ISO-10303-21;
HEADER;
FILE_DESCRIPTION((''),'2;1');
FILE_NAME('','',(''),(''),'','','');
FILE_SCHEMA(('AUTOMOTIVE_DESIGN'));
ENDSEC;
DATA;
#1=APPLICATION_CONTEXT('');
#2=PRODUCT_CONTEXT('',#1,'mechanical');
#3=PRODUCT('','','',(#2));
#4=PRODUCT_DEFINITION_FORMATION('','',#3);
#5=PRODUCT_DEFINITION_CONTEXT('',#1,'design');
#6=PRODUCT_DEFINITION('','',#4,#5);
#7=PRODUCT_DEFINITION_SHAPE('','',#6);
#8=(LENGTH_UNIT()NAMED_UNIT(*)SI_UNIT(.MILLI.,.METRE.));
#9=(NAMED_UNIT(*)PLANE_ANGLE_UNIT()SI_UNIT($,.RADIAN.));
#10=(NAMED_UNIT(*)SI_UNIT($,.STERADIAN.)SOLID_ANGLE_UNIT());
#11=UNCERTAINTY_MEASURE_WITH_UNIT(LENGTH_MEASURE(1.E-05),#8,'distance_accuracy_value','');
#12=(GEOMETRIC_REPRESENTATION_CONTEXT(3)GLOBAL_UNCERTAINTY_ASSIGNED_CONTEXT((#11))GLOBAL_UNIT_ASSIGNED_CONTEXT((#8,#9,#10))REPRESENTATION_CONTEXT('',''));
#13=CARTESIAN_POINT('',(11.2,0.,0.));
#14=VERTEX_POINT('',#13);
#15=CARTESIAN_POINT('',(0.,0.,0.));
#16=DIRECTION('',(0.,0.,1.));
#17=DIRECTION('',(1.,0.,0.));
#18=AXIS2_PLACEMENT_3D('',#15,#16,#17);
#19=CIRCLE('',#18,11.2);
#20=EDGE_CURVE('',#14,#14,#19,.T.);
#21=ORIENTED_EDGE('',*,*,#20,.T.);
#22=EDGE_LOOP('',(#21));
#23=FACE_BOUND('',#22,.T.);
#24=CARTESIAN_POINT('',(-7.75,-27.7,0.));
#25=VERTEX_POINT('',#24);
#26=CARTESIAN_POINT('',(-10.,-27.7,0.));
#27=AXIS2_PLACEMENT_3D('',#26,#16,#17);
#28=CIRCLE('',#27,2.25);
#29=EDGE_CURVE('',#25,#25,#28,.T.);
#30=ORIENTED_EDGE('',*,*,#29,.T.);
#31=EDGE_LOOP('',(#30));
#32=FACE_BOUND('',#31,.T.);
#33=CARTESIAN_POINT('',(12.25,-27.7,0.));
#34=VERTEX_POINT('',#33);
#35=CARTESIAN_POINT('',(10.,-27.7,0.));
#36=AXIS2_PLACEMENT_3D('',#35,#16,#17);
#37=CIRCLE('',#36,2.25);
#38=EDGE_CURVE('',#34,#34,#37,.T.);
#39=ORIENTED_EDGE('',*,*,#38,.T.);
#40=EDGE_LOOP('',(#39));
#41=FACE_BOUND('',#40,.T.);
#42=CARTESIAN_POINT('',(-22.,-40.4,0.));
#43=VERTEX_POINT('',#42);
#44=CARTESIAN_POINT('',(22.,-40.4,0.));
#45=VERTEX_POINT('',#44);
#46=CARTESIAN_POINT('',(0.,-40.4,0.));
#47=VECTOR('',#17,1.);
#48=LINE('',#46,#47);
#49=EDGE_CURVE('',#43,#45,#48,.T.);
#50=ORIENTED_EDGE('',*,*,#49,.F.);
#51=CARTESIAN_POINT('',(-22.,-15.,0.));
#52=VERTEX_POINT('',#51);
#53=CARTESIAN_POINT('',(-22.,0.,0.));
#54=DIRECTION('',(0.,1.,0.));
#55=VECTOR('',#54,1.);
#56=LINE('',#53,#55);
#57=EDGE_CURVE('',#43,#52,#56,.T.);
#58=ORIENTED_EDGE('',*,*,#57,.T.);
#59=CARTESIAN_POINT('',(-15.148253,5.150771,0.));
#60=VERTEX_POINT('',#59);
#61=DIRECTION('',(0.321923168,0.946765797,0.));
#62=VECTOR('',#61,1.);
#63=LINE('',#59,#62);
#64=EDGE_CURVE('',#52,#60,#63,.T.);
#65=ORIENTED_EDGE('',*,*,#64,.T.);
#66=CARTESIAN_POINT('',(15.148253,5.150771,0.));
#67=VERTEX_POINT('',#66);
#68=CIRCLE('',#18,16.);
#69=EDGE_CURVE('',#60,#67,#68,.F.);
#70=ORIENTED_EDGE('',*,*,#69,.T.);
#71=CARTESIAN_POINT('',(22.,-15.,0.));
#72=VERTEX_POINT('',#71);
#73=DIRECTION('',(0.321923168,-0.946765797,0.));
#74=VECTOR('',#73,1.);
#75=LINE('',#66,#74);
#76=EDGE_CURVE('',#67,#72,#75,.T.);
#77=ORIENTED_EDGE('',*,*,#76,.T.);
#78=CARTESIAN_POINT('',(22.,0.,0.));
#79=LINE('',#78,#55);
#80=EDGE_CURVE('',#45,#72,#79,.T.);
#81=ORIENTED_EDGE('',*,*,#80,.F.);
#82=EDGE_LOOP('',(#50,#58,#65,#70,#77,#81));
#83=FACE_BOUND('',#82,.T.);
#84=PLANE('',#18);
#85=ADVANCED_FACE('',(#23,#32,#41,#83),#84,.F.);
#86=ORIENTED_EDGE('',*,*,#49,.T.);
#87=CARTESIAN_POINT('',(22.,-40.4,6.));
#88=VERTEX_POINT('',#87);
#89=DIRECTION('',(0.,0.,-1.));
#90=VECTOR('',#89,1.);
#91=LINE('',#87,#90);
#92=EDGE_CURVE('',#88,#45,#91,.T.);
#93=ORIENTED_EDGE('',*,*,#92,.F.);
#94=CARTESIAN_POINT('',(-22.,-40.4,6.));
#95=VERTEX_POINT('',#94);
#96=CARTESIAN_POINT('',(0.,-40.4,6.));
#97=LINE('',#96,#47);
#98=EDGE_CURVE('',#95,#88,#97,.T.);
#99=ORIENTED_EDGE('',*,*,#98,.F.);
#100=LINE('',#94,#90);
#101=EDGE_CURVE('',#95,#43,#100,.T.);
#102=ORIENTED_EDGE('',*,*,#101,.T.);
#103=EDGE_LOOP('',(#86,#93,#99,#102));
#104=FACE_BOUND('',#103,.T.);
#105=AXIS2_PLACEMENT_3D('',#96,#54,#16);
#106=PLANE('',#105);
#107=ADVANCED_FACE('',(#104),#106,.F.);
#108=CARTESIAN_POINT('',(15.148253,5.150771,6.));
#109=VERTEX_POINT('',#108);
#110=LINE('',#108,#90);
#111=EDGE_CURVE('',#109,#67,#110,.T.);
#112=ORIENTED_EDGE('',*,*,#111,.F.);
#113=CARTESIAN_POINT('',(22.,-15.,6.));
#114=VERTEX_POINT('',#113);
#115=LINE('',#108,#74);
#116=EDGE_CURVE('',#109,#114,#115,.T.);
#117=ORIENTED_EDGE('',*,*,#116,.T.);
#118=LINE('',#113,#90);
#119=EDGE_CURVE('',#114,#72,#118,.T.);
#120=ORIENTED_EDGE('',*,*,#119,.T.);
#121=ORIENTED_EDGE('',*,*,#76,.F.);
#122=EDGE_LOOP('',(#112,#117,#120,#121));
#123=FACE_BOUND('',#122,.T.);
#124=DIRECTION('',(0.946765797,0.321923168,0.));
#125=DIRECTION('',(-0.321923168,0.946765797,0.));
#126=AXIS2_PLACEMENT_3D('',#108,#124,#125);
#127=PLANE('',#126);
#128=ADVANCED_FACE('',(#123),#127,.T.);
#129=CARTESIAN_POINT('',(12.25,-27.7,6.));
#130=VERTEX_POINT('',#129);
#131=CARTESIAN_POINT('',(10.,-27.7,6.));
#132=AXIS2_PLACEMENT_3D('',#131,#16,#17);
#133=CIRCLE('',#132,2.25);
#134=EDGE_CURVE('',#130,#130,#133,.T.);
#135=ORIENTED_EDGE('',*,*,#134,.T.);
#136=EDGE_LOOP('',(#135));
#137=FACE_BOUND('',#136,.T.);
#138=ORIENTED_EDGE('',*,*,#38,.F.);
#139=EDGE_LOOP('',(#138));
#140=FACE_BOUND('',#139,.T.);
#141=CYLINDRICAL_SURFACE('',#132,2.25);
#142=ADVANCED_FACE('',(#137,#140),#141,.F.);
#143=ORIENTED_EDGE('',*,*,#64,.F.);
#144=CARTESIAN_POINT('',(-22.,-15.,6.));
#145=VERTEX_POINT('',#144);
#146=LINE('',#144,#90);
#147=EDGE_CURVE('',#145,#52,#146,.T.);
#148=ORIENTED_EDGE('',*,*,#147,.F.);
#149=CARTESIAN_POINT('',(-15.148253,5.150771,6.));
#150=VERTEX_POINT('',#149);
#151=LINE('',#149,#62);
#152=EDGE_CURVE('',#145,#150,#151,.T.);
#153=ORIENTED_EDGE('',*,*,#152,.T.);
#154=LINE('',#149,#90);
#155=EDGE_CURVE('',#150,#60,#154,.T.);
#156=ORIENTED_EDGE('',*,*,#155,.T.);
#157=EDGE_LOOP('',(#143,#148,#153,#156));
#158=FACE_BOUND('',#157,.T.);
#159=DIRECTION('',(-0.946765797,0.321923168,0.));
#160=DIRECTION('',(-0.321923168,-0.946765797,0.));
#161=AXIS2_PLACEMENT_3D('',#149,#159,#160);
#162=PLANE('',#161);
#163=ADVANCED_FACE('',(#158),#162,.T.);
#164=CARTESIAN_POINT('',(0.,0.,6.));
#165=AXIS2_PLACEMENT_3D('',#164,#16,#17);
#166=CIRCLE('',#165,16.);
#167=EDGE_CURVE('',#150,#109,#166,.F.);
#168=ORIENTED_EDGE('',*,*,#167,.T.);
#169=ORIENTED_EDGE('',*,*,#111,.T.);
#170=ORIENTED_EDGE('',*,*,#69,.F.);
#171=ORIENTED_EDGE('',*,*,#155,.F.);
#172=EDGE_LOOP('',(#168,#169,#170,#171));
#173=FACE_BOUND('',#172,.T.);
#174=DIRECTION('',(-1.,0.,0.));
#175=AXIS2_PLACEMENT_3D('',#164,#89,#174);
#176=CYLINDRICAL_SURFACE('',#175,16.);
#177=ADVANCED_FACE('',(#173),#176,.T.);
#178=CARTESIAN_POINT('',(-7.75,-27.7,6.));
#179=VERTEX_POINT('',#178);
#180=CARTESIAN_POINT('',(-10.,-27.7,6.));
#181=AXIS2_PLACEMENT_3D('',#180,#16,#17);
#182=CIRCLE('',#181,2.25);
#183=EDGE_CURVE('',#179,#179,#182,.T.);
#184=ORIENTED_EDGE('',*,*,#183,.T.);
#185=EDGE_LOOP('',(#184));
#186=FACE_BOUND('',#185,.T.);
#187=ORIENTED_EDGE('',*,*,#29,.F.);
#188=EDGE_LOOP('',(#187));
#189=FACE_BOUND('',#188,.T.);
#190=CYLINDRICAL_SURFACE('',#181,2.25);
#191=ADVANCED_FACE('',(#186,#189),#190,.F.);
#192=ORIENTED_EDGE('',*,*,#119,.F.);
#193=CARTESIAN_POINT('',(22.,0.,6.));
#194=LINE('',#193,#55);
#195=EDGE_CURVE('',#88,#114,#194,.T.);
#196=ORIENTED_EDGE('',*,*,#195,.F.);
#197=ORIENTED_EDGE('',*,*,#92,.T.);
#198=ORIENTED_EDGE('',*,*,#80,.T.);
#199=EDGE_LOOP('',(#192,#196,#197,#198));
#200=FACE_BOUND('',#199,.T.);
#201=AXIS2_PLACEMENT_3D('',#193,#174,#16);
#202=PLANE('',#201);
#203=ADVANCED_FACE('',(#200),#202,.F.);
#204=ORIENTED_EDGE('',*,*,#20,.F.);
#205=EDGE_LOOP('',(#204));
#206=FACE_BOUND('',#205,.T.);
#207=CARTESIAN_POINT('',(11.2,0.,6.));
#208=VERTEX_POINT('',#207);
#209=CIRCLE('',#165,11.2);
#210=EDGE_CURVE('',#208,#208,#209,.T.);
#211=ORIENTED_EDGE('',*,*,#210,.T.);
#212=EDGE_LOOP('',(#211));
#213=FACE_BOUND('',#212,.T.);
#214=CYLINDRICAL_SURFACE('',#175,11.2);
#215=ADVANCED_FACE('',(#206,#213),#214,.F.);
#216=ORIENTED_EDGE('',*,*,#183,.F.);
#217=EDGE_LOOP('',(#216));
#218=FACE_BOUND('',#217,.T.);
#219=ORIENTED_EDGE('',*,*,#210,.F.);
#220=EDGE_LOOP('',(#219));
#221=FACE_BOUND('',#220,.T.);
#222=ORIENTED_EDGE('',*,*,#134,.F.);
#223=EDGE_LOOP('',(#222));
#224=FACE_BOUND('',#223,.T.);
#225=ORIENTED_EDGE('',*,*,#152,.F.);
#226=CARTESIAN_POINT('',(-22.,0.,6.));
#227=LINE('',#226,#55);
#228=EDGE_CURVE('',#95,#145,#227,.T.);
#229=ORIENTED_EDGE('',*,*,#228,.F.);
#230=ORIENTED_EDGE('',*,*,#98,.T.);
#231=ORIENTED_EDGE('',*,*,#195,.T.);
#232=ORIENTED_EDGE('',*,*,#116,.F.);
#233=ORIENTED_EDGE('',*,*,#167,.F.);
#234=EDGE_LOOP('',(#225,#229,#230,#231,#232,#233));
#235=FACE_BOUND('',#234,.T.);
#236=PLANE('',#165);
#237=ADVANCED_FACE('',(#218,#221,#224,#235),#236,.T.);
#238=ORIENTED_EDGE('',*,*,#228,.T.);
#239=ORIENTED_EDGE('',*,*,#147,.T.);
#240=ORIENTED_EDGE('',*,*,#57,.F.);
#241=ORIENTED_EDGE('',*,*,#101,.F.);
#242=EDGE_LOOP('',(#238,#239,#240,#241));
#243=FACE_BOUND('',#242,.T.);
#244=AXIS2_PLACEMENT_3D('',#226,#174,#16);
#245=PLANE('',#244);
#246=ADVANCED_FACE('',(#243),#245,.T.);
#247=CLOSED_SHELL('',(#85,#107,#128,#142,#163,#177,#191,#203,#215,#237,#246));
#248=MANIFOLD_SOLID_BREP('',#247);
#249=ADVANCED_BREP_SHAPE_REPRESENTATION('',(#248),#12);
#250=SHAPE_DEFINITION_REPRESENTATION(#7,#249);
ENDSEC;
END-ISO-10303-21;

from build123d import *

# Parameters (mm, degrees)
SKETCH1_R            = 11.2
SKETCH1_W            = 44
SKETCH1_H            = 25.4
BOSS_EXTRUDE1_DEPTH  = 6
M4_CLEARANCE_HOLE1_D = 4.5


with BuildPart() as part:
    # Sketch1 → Boss-Extrude1 (new body)
    # profile 1 of 2: a face of its own
    with BuildSketch(Plane.XY):
        with BuildLine():
            ThreePointArc((-15.148252746, 5.150770694), (0, 16), (15.148252746, 5.150770694))
            Line((15.148252746, 5.150770694), (22, -15))
            Line((22, -15), (-22, -15))
            Line((-22, -15), (-15.148252746, 5.150770694))
        make_face()
        Circle(SKETCH1_R, mode=Mode.SUBTRACT)
    # profile 2 of 2: a face of its own
    with BuildSketch(Plane.XY):
        with Locations((0, -27.7)):
            Rectangle(SKETCH1_W, SKETCH1_H)
    extrude(amount=BOSS_EXTRUDE1_DEPTH)

    # M4 Clearance Hole1 (through all)
    with Locations(Plane.XY.offset(6)):
        with Locations((-10, -27.7), (10, -27.7)):
            Hole(M4_CLEARANCE_HOLE1_D / 2)


solid = part.part
